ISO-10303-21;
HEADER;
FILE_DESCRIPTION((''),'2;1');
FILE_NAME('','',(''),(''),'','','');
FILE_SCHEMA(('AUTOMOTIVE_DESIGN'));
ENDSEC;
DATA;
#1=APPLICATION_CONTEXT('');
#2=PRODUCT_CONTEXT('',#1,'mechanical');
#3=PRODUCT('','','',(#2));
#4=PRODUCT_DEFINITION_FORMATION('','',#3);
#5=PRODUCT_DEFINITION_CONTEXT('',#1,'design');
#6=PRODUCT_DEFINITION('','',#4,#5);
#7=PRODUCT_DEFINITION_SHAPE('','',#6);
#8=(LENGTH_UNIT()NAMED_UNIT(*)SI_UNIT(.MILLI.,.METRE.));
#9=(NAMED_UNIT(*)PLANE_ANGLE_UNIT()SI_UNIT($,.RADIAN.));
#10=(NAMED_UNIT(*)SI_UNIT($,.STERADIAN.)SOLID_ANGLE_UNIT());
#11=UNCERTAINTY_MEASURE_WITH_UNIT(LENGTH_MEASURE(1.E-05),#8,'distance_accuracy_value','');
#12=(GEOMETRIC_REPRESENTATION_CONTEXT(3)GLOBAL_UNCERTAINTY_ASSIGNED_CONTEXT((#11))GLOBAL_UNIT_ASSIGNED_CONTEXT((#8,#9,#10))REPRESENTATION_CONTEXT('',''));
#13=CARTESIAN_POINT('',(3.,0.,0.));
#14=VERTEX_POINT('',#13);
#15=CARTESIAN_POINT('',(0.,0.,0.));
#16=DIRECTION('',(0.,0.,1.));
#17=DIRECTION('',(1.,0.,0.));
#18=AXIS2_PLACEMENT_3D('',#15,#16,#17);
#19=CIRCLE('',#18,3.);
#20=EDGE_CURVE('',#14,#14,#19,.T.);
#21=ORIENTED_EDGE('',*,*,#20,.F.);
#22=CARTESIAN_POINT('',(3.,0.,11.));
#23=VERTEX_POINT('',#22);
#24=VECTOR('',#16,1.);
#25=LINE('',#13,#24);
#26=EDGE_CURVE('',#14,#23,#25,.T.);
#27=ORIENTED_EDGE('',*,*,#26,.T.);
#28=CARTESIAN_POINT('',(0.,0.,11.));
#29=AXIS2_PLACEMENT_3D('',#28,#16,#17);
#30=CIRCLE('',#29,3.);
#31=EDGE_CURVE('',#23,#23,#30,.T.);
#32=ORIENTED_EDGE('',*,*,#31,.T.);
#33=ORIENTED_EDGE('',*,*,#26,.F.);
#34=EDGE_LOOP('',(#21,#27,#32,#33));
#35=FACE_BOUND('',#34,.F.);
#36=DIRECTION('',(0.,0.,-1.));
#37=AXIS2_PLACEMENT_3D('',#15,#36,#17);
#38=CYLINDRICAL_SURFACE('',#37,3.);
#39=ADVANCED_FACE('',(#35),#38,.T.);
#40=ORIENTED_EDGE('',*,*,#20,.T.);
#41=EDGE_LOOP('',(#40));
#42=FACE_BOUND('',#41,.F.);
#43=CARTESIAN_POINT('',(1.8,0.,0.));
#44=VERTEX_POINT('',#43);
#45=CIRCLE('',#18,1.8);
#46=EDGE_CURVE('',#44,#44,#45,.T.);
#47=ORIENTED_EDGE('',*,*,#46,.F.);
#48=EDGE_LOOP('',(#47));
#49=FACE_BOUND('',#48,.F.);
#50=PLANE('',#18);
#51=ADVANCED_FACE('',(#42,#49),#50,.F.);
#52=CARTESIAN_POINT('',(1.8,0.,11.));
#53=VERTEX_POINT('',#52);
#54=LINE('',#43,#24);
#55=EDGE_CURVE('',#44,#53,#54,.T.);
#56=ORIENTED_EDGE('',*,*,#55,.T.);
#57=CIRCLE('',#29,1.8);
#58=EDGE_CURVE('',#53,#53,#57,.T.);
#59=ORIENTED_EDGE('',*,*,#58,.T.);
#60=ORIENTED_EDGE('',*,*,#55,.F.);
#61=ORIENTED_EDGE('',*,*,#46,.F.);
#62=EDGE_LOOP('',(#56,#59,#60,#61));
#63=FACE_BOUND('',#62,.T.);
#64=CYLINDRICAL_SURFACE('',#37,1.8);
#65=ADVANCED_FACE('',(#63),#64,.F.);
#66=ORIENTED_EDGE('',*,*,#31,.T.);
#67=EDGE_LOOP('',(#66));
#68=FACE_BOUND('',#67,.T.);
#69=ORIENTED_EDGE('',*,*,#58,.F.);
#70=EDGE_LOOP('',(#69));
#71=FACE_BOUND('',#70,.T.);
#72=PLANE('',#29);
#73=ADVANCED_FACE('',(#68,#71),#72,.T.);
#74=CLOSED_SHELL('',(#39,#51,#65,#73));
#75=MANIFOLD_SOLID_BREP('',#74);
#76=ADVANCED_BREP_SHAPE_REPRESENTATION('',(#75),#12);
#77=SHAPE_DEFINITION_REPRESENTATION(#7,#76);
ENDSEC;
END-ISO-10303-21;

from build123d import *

# Parameters (mm, degrees)
SKETCH_R   = 3
SKETCH_R_2 = 1.8
PAD_DEPTH  = 11


with BuildPart() as part:
    # Sketch → Pad (new body)
    with BuildSketch(Plane.XY):
        Circle(SKETCH_R)
        Circle(SKETCH_R_2, mode=Mode.SUBTRACT)
    extrude(amount=PAD_DEPTH)


solid = part.part
